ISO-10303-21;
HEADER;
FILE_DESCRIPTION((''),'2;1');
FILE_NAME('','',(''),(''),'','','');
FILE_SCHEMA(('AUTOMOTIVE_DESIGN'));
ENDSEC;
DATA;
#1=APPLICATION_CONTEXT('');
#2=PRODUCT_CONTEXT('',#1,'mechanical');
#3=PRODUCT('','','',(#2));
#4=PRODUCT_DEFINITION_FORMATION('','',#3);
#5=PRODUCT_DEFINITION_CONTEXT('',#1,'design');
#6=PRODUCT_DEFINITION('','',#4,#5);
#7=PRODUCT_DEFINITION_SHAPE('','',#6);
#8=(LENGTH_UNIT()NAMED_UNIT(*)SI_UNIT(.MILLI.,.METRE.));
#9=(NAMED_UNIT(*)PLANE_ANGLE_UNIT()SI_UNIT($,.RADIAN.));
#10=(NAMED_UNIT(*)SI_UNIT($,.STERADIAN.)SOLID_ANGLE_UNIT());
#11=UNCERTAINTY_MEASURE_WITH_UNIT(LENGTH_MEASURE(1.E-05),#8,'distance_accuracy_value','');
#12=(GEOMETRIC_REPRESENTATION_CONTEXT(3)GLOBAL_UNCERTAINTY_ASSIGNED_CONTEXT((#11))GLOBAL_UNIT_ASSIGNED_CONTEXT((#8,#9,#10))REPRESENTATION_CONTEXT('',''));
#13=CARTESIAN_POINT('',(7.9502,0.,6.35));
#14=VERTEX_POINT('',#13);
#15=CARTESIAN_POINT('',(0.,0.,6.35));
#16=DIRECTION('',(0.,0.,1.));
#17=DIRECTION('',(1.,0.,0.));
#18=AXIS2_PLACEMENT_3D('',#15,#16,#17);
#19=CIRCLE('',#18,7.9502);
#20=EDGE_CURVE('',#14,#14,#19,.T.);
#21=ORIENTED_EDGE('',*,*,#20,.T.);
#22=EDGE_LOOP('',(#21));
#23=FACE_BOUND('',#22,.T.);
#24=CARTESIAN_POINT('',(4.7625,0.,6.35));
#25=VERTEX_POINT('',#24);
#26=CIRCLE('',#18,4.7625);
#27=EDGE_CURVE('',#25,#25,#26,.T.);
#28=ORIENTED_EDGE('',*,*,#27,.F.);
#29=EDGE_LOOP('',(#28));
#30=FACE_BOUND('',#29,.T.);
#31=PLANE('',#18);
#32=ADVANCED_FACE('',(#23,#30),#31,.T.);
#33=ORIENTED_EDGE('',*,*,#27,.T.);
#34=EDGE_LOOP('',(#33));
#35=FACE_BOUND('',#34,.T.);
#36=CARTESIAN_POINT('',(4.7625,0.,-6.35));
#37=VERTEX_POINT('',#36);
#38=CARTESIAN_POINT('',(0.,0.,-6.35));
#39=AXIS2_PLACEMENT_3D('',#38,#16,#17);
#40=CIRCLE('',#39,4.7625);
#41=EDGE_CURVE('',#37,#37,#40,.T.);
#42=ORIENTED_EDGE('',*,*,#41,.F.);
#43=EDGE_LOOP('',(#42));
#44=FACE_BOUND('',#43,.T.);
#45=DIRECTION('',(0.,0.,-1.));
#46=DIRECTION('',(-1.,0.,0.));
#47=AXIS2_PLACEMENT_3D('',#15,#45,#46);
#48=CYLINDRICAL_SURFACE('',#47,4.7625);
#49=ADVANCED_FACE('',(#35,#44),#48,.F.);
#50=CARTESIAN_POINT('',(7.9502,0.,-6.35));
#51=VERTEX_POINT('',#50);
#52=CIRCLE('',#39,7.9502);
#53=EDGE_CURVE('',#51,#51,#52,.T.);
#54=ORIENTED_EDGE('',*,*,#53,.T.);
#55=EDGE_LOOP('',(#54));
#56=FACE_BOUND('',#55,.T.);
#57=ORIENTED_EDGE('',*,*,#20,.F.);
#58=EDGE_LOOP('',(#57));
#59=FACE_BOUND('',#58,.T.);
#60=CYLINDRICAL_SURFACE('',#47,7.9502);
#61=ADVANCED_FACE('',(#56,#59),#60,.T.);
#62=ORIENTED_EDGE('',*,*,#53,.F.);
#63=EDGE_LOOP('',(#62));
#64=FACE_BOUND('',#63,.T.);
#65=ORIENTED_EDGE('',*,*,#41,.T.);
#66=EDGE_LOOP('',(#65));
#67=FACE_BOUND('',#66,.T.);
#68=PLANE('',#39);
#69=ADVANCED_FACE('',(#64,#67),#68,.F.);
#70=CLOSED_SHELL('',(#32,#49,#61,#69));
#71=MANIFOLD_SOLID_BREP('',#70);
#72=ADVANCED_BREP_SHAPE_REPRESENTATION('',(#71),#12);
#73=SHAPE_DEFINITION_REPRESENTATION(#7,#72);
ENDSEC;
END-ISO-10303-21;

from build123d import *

# Parameters (mm, degrees)
BOSS_EXTRUDE1_DEPTH      = 6.35
BOSS_EXTRUDE1_DEPTH_BACK = 6.35
SKETCH5_R                = 7.9502
SKETCH5_R_2              = 4.7625


with BuildPart() as part:
    # Sketch5 → Boss-Extrude1 (new, two sides: drawn at the far end of the back side and taken through both)
    with BuildSketch(Plane.XY.offset(-BOSS_EXTRUDE1_DEPTH_BACK)):
        Circle(SKETCH5_R)
        Circle(SKETCH5_R_2, mode=Mode.SUBTRACT)
    extrude(amount=BOSS_EXTRUDE1_DEPTH + BOSS_EXTRUDE1_DEPTH_BACK)


solid = part.part
